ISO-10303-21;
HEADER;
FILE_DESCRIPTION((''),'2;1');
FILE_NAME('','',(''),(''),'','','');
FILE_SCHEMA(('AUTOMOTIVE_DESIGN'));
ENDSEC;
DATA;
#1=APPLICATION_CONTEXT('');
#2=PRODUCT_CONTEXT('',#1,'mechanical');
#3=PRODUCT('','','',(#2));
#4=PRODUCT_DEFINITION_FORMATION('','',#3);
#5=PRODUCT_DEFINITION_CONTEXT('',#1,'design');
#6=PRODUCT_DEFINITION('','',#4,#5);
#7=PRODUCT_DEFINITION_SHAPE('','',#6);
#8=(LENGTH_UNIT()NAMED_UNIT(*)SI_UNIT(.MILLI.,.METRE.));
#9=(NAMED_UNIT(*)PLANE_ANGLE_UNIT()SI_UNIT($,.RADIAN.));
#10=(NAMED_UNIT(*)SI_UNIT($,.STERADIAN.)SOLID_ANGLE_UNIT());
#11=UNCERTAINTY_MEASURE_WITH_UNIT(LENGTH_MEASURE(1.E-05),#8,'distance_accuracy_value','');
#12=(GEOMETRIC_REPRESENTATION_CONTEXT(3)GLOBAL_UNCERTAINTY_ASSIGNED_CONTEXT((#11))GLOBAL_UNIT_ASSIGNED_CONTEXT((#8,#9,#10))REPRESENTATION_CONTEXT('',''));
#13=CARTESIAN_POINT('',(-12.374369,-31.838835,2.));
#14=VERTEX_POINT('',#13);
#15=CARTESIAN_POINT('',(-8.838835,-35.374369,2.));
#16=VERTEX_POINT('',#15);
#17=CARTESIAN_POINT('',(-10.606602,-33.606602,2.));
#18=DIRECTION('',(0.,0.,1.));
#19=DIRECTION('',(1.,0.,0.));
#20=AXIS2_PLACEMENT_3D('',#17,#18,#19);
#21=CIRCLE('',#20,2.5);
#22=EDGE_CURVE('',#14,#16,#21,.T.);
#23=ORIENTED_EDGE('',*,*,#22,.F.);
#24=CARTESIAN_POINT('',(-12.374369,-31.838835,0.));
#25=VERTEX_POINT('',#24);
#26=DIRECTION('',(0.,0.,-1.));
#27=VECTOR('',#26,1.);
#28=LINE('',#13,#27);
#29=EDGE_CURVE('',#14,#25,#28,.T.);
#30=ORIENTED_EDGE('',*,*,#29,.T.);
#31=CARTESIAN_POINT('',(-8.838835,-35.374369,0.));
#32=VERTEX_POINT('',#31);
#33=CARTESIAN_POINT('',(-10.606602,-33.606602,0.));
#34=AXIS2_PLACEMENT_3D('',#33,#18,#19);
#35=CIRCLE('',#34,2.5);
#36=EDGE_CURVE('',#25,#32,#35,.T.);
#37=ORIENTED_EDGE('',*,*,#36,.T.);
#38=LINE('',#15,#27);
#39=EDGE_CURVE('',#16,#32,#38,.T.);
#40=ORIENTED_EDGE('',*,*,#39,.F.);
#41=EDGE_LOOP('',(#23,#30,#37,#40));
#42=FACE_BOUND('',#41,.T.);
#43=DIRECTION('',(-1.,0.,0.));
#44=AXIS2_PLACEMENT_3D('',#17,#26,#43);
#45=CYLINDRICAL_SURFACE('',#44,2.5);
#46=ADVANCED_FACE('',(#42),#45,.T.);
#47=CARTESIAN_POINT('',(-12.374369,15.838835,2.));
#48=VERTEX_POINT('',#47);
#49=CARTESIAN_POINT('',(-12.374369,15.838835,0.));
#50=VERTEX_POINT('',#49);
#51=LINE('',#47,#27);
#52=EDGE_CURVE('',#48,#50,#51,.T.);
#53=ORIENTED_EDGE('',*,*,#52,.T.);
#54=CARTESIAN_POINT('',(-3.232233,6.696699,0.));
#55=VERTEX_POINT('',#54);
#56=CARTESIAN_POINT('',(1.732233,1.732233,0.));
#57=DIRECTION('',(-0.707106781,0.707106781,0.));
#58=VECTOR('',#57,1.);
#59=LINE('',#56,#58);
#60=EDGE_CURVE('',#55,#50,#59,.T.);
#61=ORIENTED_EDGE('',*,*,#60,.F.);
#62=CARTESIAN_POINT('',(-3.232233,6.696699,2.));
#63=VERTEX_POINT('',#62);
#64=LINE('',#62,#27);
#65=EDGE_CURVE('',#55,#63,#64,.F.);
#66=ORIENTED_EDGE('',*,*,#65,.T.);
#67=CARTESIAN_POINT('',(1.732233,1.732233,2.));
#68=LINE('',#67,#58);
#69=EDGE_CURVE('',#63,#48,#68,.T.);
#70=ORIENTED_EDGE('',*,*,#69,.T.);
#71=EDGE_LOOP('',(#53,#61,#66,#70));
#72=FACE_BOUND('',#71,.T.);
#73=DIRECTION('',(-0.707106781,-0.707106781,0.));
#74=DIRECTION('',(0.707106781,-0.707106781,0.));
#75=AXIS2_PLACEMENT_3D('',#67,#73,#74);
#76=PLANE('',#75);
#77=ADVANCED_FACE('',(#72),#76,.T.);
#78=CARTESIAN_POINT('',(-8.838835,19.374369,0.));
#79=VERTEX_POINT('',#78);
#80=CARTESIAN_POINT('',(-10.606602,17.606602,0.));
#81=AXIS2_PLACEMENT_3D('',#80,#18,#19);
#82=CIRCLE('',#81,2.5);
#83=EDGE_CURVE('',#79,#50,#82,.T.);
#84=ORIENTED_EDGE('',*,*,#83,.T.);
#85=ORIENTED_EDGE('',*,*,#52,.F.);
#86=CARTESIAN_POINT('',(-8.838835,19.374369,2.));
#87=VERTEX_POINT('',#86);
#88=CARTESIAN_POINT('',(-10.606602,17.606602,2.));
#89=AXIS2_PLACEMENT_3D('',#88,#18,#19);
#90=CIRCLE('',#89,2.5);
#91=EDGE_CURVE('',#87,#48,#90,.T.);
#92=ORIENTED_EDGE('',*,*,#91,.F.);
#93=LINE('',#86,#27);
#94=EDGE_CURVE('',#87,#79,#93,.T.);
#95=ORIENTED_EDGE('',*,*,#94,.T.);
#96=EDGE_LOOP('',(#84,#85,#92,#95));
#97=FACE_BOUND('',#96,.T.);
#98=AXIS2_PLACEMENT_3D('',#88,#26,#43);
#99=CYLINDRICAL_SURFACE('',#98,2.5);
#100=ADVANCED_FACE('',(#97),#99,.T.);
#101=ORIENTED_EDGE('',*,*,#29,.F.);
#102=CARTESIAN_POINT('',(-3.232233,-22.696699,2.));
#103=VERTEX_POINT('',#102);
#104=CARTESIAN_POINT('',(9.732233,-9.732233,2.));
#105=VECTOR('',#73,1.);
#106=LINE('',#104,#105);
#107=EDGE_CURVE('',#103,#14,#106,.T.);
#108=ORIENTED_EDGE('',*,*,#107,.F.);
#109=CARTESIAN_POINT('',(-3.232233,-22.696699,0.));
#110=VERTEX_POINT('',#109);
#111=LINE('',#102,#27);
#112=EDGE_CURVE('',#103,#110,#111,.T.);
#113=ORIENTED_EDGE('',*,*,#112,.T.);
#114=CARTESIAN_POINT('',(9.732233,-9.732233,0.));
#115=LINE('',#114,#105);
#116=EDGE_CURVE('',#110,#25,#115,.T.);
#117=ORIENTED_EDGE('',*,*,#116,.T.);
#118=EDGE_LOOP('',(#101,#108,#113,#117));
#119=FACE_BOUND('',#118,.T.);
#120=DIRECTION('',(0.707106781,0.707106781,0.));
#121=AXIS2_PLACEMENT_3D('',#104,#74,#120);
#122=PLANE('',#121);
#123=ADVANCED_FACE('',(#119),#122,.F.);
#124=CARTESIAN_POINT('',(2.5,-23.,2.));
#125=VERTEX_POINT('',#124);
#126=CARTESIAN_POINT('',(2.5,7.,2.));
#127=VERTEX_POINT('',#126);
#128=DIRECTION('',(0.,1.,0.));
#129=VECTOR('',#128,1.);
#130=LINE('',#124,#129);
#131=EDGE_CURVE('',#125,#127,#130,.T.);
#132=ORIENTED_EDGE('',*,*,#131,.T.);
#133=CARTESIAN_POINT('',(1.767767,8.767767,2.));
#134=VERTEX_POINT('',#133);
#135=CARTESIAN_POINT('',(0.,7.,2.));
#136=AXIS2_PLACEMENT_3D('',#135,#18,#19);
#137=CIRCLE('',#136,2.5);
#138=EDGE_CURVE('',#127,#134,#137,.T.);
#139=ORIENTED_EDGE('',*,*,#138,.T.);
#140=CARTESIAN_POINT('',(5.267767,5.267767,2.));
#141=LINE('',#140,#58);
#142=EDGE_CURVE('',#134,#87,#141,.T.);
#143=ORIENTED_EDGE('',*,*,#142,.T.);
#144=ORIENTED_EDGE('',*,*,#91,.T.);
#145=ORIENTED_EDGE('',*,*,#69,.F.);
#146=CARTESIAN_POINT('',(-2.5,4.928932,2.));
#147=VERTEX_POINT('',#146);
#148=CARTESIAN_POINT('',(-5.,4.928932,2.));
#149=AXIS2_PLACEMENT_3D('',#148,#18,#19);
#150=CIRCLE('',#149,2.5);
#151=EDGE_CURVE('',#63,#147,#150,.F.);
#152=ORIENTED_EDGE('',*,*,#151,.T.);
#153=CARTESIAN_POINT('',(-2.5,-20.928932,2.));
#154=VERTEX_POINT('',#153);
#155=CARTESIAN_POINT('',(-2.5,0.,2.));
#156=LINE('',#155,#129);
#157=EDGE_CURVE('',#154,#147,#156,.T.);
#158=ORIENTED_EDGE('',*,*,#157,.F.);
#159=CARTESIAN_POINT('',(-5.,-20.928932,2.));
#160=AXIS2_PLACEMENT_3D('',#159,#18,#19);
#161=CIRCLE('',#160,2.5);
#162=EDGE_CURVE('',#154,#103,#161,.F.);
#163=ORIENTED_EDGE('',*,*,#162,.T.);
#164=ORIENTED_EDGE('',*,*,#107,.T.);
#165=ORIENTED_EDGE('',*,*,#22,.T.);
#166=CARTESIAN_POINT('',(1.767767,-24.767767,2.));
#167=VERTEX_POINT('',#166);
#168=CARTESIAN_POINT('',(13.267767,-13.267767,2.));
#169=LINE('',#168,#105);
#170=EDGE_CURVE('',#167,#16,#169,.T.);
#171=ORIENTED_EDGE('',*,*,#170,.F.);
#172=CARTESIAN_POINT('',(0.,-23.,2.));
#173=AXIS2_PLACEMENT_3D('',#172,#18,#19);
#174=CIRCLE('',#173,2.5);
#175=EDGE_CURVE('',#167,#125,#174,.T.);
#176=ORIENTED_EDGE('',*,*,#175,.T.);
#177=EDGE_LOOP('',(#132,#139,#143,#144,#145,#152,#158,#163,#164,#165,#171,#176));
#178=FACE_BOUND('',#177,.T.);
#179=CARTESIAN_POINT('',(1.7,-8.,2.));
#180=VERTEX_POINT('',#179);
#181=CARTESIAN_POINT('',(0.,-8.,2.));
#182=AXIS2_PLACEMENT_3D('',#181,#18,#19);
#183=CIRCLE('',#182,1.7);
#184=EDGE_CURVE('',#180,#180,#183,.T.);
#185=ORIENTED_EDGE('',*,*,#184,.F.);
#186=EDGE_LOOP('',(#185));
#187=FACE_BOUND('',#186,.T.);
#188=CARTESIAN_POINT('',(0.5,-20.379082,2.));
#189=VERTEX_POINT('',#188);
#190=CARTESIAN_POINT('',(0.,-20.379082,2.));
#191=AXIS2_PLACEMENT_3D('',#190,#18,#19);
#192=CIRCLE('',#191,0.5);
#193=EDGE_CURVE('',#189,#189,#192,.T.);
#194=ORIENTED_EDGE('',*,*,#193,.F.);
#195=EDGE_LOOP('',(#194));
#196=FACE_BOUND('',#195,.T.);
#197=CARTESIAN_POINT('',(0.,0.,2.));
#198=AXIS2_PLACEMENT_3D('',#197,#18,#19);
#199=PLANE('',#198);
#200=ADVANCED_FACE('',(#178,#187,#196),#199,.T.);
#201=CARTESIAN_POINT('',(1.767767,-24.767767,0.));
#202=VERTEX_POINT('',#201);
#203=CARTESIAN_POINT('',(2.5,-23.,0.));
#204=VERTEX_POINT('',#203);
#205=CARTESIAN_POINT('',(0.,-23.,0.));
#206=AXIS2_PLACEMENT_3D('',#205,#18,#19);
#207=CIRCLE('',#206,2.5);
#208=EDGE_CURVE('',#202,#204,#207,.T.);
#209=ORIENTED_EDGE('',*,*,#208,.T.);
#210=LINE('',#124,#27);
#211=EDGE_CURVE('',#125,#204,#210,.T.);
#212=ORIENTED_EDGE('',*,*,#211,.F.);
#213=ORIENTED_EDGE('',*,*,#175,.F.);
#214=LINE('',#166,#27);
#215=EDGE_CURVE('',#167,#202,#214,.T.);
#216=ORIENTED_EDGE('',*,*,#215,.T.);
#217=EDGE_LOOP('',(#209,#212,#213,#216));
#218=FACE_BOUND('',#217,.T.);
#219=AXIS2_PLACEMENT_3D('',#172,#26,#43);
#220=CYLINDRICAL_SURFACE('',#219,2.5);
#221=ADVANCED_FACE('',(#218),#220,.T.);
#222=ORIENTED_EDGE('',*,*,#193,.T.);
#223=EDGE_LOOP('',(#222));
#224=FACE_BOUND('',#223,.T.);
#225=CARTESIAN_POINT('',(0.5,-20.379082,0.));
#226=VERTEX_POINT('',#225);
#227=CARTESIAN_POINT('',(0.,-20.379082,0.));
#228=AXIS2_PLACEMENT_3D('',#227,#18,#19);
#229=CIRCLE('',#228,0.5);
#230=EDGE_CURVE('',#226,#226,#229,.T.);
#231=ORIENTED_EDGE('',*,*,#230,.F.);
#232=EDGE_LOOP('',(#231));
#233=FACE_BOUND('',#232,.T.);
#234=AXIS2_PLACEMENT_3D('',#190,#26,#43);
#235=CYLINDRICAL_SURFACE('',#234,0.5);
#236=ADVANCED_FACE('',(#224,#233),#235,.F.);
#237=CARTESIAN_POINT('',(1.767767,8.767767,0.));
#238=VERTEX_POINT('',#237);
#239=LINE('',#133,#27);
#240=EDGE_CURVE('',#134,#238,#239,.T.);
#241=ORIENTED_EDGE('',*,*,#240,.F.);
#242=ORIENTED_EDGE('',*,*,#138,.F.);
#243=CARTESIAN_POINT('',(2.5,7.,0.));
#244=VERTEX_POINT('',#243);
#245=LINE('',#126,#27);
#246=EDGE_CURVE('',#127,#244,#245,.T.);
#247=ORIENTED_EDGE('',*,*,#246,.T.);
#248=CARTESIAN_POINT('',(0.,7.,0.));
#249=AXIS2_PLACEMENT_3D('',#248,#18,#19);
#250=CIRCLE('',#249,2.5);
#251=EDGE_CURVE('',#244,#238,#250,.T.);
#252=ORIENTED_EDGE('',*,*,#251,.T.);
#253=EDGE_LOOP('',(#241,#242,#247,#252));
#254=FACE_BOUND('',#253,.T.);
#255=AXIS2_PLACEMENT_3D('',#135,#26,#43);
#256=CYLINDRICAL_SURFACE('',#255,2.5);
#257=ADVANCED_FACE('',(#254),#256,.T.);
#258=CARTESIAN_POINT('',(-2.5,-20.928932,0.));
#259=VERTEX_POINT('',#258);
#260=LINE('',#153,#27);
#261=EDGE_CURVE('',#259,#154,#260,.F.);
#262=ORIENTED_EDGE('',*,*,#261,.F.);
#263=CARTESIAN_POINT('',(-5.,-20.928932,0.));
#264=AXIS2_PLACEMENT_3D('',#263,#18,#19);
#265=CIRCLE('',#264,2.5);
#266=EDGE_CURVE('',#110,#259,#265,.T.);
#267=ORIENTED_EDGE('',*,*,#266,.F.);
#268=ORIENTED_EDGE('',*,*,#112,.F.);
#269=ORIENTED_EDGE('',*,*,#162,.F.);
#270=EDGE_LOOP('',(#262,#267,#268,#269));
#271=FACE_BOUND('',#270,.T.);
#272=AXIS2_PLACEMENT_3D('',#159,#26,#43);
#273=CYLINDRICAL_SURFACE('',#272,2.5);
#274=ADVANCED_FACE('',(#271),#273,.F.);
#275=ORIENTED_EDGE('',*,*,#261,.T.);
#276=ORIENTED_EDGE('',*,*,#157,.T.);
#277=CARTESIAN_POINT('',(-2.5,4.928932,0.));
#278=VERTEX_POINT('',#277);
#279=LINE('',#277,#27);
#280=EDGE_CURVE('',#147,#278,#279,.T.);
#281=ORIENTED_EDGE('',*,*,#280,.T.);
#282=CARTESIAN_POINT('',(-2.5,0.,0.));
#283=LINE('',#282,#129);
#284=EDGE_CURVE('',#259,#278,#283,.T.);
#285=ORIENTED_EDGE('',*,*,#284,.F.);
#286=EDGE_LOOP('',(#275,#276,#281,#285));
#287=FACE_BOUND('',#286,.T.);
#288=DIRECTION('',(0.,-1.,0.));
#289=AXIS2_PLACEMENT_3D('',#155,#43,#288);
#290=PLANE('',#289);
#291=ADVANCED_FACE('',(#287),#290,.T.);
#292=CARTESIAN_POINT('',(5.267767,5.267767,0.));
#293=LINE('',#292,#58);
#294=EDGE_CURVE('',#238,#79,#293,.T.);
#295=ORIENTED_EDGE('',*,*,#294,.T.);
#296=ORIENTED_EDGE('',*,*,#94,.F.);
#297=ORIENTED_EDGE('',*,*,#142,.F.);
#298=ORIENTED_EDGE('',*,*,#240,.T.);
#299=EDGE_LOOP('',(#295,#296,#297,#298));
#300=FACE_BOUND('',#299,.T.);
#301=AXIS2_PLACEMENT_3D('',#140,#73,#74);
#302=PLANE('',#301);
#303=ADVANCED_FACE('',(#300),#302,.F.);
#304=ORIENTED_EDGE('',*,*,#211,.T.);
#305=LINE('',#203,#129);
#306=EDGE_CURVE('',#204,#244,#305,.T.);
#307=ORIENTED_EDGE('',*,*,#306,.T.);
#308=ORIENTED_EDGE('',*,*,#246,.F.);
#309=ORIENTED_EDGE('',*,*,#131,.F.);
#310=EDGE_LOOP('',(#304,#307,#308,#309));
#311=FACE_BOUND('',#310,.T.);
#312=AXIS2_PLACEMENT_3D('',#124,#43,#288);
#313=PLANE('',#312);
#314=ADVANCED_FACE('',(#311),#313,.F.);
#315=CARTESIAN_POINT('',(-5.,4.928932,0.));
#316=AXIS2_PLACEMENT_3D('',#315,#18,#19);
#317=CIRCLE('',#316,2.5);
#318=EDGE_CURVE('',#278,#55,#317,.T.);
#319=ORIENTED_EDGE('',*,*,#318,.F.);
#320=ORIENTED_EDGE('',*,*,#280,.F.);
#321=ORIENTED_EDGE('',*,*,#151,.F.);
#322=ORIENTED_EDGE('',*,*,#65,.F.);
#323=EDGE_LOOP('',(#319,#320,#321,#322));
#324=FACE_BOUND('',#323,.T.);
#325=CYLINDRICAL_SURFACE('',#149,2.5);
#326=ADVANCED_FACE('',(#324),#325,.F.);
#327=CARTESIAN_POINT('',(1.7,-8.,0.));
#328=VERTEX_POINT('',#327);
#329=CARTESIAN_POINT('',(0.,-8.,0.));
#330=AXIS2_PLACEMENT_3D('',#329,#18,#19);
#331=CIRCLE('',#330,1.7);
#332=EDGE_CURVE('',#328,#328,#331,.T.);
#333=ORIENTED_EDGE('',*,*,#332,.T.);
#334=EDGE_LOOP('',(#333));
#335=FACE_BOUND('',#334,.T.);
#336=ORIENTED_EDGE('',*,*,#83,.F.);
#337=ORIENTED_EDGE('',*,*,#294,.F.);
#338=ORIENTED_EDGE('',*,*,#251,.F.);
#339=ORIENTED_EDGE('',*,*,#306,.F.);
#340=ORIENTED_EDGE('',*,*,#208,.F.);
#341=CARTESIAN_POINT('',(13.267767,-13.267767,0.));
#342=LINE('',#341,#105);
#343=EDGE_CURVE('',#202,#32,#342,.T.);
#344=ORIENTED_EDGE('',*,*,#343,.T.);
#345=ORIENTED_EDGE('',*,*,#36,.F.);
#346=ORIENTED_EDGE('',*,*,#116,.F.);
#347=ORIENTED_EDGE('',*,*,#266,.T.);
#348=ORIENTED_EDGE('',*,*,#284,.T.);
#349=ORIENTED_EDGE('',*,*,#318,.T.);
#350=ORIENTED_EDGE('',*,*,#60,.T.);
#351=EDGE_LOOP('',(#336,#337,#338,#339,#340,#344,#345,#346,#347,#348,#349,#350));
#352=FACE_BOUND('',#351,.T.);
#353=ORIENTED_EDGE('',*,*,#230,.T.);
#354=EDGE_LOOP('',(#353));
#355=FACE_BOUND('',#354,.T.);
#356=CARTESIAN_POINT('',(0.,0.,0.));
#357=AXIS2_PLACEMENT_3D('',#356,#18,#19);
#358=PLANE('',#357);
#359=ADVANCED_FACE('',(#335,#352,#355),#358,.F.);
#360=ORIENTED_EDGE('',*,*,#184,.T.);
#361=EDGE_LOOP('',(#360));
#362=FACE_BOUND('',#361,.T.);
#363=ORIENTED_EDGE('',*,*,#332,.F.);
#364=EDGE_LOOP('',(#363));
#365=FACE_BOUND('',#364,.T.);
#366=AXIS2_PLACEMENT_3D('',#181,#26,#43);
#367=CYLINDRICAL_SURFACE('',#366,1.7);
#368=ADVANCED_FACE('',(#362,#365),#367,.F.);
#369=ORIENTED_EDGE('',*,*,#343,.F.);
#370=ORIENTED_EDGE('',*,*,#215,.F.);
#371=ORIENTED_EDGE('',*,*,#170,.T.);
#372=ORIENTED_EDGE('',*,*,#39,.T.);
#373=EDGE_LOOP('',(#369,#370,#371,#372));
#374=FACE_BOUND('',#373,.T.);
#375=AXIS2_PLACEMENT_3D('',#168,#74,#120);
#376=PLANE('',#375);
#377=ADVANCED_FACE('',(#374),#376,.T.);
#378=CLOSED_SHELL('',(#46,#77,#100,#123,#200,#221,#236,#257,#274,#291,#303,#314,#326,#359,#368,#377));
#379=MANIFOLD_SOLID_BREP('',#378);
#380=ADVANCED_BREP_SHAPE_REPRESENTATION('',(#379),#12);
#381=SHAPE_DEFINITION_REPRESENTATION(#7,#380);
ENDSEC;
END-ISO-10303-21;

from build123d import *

# Parameters (mm, degrees)
SKETCH1_R           = 0.5
SKETCH1_R_2         = 1.7
BOSS_EXTRUDE1_DEPTH = 2
FILLET1_R           = 2.5


with BuildPart() as part:
    # Sketch1 → Boss-Extrude1 (new body)
    with BuildSketch(Plane.XY):
        with BuildLine():
            Line((-8.838834765, -35.374368671), (1.767766953, -24.767766953))
            ThreePointArc((1.767766953, -24.767766953), (2.309698831, -23.956708581), (2.5, -23))
            Line((2.5, -23), (2.5, 7))
            ThreePointArc((2.5, 7), (2.309698831, 7.956708581), (1.767766953, 8.767766953))
            Line((1.767766953, 8.767766953), (-8.838834765, 19.374368671))
            ThreePointArc((-8.838834765, 19.374368671), (-12.374368671, 19.374368671), (-12.374368671, 15.838834765))
            Line((-12.374368671, 15.838834765), (-2.5, 5.964466094))
            Line((-2.5, 5.964466094), (-2.5, -21.964466094))
            Line((-2.5, -21.964466094), (-12.374368671, -31.838834765))
            ThreePointArc((-12.374368671, -31.838834765), (-12.374368671, -35.374368671), (-8.838834765, -35.374368671))
        make_face()
        with Locations((0, -20.379081878)):
            Circle(SKETCH1_R, mode=Mode.SUBTRACT)
        with Locations((0, -8)):
            Circle(SKETCH1_R_2, mode=Mode.SUBTRACT)
    extrude(amount=BOSS_EXTRUDE1_DEPTH)

    # Fillet1
    fillet1_edges = [part.edges().sort_by_distance(p)[0] for p in [
        (-2.5, 5.964466094, 1),
        (-2.5, -21.964466094, 1),
    ]]
    fillet(fillet1_edges, radius=FILLET1_R)


solid = part.part
